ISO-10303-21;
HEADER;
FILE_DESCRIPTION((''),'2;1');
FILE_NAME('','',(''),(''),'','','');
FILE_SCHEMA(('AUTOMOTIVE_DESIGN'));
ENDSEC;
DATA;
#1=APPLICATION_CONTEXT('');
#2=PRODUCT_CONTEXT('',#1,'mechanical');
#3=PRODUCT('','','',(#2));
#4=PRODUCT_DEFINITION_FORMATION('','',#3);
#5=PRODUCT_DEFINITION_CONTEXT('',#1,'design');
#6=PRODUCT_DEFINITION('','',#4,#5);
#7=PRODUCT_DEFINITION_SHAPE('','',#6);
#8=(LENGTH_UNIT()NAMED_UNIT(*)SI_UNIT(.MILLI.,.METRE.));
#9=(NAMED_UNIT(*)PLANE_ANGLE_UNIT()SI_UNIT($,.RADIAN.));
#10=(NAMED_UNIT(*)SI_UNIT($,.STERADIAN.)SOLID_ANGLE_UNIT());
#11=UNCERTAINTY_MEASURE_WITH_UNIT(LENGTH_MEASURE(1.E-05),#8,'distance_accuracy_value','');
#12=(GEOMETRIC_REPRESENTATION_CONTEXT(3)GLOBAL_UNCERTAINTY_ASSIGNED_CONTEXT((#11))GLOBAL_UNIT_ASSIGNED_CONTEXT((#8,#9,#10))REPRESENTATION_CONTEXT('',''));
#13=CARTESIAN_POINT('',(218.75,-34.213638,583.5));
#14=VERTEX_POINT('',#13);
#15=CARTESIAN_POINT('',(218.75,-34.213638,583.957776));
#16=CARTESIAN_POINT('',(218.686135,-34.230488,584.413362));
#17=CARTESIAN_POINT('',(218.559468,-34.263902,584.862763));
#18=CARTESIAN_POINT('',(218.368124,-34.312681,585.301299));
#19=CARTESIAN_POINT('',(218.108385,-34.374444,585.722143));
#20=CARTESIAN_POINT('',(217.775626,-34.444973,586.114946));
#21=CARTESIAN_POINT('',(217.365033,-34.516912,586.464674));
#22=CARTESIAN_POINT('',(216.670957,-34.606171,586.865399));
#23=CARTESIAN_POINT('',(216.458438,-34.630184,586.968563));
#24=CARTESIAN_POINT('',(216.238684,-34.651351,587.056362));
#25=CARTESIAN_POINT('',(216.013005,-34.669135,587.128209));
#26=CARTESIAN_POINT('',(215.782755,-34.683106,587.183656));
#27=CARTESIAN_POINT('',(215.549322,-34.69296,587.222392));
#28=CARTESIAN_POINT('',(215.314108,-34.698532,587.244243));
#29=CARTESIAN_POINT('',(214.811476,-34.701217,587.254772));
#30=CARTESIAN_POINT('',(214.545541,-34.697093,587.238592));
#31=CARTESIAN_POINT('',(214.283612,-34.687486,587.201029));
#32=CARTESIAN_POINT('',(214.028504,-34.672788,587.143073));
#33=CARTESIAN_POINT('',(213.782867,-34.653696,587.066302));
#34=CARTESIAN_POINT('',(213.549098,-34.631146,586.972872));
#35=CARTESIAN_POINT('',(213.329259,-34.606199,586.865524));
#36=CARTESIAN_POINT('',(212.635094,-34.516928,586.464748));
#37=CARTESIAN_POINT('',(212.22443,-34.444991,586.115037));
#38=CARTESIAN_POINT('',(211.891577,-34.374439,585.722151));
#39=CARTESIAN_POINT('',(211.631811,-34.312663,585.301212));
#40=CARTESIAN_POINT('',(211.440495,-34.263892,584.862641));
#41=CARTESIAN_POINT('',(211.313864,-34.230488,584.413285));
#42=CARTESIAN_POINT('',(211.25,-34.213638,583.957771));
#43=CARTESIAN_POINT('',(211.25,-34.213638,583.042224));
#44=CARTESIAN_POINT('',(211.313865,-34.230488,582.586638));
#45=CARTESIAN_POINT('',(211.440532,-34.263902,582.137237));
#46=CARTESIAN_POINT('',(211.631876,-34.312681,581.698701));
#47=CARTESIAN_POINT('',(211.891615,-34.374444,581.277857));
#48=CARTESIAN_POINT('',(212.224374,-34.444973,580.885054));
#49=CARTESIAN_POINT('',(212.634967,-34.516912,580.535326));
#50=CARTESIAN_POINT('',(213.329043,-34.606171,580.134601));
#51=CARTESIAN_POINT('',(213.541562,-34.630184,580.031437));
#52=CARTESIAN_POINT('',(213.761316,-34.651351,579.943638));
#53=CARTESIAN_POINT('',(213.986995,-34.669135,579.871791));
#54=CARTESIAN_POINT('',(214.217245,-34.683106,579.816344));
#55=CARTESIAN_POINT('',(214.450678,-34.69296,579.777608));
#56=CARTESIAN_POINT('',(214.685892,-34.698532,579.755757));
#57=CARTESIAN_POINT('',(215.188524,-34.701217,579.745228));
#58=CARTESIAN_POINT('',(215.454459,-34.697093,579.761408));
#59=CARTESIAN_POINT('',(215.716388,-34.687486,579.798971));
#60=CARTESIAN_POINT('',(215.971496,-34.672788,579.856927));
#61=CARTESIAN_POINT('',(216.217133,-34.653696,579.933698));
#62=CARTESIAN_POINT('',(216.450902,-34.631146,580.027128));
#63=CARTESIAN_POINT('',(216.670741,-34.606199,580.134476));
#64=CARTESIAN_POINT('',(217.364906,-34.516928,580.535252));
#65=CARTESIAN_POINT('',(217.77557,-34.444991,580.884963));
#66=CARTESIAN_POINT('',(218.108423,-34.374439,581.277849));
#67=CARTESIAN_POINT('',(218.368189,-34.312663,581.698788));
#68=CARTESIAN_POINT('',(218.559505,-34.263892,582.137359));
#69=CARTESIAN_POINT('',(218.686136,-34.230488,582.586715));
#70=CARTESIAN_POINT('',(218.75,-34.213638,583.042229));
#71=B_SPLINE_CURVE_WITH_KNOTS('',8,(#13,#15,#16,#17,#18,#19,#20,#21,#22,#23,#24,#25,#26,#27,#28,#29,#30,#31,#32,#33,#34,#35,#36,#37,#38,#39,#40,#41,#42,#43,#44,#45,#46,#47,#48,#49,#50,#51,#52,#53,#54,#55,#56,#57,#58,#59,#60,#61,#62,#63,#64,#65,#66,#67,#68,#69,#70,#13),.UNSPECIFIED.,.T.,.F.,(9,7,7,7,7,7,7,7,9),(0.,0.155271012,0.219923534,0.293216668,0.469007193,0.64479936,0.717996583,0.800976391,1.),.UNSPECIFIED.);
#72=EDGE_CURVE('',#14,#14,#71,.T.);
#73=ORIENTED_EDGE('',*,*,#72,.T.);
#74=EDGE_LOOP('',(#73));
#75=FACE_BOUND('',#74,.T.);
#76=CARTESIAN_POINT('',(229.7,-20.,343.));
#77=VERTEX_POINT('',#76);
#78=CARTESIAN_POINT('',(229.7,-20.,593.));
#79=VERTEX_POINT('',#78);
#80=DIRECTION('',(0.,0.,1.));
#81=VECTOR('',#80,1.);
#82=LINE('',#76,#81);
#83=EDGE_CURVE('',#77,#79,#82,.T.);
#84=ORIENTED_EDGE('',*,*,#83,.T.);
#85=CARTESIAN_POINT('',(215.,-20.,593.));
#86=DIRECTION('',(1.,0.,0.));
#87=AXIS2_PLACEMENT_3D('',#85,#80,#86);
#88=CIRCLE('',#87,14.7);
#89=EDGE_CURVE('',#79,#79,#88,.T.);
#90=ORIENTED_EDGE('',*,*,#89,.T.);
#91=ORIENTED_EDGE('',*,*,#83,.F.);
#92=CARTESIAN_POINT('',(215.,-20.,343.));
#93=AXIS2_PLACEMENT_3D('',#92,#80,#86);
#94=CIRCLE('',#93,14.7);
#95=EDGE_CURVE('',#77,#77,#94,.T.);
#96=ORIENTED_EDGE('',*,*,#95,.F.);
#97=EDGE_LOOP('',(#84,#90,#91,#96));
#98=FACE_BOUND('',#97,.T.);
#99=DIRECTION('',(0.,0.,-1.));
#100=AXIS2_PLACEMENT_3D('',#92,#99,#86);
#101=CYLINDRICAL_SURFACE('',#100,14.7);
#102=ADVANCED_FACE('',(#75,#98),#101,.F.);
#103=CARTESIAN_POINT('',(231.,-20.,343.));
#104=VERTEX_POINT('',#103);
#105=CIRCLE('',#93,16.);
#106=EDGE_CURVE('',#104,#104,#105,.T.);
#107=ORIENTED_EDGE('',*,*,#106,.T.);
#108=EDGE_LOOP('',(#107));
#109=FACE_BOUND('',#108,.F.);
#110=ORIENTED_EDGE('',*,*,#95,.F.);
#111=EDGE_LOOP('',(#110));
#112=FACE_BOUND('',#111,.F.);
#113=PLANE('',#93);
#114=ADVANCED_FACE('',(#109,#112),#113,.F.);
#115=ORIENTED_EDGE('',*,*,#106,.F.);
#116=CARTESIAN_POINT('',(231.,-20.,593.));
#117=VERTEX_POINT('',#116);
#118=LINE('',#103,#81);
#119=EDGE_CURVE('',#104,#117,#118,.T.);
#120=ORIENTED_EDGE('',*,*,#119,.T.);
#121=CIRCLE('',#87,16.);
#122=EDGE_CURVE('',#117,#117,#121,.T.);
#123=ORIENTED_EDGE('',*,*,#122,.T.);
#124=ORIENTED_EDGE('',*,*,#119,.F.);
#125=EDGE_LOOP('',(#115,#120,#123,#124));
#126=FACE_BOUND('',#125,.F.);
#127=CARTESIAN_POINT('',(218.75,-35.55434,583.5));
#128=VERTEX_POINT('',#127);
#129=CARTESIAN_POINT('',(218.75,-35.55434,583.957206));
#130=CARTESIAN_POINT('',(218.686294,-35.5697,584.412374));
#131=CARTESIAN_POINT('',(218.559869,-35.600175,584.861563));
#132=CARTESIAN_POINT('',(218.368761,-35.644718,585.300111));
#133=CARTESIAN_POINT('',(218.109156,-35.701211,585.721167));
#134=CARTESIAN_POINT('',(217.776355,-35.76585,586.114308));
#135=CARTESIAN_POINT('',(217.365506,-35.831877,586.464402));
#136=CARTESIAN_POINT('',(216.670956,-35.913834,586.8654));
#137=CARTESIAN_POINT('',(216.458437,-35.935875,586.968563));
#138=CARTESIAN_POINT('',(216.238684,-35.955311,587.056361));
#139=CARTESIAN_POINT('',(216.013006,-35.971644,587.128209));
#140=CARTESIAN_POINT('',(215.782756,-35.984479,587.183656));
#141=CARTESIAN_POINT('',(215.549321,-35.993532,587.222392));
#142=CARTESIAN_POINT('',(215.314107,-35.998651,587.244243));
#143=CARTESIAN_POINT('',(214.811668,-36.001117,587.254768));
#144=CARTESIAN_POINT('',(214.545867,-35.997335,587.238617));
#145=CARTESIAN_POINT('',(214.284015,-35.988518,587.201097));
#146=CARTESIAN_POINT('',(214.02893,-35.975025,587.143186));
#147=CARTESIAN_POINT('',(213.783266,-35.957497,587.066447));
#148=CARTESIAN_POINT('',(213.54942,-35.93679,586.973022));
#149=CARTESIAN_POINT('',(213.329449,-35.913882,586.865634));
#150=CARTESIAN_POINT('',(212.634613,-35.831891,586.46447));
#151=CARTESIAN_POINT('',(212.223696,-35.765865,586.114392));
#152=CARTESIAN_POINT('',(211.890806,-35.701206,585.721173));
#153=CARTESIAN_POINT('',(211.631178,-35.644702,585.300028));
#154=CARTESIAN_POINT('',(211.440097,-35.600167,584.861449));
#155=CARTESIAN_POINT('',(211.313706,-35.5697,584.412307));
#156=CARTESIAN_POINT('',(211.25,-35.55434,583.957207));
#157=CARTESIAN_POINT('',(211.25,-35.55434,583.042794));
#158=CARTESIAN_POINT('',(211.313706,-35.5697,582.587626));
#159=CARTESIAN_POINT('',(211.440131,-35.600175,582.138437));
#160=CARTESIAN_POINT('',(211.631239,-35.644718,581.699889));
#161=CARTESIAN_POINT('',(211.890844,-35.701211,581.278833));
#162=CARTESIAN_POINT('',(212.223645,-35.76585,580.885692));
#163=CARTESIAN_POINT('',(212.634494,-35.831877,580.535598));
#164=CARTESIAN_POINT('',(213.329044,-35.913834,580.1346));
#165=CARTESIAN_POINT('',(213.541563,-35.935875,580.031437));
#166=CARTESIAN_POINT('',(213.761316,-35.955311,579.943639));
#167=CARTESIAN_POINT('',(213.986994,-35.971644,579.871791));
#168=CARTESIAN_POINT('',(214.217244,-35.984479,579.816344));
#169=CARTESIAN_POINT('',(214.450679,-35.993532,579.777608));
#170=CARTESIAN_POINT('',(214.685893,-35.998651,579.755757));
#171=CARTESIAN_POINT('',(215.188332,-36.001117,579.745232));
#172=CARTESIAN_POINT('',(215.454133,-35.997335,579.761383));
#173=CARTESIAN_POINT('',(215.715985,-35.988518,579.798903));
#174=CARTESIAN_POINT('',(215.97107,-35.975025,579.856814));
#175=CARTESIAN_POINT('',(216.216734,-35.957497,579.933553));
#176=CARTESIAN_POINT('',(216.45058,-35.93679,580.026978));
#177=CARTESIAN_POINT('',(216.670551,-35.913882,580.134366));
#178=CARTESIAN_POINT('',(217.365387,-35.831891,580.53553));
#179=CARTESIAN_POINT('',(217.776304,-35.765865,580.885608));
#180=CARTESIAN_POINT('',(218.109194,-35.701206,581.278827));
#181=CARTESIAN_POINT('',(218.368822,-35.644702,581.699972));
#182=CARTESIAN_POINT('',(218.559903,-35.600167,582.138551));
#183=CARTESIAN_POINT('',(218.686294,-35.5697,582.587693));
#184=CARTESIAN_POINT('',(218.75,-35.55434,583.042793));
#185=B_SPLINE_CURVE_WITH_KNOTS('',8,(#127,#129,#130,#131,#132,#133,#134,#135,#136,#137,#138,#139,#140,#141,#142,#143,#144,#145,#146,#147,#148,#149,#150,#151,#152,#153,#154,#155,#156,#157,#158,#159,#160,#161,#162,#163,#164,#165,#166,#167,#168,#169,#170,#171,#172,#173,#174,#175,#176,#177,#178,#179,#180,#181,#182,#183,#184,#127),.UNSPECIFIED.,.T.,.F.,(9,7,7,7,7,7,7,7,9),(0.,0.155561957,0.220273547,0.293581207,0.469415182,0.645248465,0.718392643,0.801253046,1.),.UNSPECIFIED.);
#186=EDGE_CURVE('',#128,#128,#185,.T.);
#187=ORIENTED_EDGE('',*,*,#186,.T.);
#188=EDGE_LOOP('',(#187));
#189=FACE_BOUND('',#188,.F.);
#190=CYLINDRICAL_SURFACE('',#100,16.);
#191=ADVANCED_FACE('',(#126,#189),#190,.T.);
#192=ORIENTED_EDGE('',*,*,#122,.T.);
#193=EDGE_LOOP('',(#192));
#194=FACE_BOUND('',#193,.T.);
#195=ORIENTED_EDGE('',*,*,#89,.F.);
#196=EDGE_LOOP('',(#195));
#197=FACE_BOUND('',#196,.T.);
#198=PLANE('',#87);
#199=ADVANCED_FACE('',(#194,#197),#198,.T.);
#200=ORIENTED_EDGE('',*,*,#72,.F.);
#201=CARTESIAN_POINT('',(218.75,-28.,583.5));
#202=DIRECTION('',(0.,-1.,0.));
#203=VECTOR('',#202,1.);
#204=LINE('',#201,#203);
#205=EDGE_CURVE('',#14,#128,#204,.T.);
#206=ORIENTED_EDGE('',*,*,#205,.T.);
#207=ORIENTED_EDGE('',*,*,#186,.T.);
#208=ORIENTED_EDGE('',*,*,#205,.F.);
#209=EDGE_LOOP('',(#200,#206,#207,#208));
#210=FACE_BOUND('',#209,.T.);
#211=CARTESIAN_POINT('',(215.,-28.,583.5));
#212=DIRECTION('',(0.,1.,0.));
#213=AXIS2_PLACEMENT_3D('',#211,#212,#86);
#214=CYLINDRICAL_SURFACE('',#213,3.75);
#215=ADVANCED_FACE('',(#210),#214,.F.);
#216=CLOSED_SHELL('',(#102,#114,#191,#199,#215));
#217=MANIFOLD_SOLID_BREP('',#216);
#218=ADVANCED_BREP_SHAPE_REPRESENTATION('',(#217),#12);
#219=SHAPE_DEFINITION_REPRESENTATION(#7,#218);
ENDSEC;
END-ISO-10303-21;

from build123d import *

# Parameters (mm, degrees)
CYLINDER208_R     = 3.75
CYLINDER208_DEPTH = 10
TUBE006_R         = 16
TUBE006_R_2       = 14.7
TUBE006_DEPTH     = 250


with BuildPart() as cylinder208:
    # Cylinder208 → Cylinder208 (new body)
    with BuildSketch(Plane(origin=(0, -8, -36.5), x_dir=(1, 0, 0), z_dir=(0, -1, 0))):
        Circle(CYLINDER208_R)
    extrude(amount=CYLINDER208_DEPTH)


with BuildPart() as metalholder:
    # Tube006 → Tube006 (new body)
    with BuildSketch(Plane.XY.offset(-277)):
        Circle(TUBE006_R)
        Circle(TUBE006_R_2, mode=Mode.SUBTRACT)
    extrude(amount=TUBE006_DEPTH)

    # Cut150: cut Cylinder208
    add(cylinder208.part, mode=Mode.SUBTRACT)


with BuildPart() as metalholder_1:
    # Cut150 placement: moved
    add(metalholder.part.moved(Location((215, -20, 620))))


solid = metalholder_1.part
